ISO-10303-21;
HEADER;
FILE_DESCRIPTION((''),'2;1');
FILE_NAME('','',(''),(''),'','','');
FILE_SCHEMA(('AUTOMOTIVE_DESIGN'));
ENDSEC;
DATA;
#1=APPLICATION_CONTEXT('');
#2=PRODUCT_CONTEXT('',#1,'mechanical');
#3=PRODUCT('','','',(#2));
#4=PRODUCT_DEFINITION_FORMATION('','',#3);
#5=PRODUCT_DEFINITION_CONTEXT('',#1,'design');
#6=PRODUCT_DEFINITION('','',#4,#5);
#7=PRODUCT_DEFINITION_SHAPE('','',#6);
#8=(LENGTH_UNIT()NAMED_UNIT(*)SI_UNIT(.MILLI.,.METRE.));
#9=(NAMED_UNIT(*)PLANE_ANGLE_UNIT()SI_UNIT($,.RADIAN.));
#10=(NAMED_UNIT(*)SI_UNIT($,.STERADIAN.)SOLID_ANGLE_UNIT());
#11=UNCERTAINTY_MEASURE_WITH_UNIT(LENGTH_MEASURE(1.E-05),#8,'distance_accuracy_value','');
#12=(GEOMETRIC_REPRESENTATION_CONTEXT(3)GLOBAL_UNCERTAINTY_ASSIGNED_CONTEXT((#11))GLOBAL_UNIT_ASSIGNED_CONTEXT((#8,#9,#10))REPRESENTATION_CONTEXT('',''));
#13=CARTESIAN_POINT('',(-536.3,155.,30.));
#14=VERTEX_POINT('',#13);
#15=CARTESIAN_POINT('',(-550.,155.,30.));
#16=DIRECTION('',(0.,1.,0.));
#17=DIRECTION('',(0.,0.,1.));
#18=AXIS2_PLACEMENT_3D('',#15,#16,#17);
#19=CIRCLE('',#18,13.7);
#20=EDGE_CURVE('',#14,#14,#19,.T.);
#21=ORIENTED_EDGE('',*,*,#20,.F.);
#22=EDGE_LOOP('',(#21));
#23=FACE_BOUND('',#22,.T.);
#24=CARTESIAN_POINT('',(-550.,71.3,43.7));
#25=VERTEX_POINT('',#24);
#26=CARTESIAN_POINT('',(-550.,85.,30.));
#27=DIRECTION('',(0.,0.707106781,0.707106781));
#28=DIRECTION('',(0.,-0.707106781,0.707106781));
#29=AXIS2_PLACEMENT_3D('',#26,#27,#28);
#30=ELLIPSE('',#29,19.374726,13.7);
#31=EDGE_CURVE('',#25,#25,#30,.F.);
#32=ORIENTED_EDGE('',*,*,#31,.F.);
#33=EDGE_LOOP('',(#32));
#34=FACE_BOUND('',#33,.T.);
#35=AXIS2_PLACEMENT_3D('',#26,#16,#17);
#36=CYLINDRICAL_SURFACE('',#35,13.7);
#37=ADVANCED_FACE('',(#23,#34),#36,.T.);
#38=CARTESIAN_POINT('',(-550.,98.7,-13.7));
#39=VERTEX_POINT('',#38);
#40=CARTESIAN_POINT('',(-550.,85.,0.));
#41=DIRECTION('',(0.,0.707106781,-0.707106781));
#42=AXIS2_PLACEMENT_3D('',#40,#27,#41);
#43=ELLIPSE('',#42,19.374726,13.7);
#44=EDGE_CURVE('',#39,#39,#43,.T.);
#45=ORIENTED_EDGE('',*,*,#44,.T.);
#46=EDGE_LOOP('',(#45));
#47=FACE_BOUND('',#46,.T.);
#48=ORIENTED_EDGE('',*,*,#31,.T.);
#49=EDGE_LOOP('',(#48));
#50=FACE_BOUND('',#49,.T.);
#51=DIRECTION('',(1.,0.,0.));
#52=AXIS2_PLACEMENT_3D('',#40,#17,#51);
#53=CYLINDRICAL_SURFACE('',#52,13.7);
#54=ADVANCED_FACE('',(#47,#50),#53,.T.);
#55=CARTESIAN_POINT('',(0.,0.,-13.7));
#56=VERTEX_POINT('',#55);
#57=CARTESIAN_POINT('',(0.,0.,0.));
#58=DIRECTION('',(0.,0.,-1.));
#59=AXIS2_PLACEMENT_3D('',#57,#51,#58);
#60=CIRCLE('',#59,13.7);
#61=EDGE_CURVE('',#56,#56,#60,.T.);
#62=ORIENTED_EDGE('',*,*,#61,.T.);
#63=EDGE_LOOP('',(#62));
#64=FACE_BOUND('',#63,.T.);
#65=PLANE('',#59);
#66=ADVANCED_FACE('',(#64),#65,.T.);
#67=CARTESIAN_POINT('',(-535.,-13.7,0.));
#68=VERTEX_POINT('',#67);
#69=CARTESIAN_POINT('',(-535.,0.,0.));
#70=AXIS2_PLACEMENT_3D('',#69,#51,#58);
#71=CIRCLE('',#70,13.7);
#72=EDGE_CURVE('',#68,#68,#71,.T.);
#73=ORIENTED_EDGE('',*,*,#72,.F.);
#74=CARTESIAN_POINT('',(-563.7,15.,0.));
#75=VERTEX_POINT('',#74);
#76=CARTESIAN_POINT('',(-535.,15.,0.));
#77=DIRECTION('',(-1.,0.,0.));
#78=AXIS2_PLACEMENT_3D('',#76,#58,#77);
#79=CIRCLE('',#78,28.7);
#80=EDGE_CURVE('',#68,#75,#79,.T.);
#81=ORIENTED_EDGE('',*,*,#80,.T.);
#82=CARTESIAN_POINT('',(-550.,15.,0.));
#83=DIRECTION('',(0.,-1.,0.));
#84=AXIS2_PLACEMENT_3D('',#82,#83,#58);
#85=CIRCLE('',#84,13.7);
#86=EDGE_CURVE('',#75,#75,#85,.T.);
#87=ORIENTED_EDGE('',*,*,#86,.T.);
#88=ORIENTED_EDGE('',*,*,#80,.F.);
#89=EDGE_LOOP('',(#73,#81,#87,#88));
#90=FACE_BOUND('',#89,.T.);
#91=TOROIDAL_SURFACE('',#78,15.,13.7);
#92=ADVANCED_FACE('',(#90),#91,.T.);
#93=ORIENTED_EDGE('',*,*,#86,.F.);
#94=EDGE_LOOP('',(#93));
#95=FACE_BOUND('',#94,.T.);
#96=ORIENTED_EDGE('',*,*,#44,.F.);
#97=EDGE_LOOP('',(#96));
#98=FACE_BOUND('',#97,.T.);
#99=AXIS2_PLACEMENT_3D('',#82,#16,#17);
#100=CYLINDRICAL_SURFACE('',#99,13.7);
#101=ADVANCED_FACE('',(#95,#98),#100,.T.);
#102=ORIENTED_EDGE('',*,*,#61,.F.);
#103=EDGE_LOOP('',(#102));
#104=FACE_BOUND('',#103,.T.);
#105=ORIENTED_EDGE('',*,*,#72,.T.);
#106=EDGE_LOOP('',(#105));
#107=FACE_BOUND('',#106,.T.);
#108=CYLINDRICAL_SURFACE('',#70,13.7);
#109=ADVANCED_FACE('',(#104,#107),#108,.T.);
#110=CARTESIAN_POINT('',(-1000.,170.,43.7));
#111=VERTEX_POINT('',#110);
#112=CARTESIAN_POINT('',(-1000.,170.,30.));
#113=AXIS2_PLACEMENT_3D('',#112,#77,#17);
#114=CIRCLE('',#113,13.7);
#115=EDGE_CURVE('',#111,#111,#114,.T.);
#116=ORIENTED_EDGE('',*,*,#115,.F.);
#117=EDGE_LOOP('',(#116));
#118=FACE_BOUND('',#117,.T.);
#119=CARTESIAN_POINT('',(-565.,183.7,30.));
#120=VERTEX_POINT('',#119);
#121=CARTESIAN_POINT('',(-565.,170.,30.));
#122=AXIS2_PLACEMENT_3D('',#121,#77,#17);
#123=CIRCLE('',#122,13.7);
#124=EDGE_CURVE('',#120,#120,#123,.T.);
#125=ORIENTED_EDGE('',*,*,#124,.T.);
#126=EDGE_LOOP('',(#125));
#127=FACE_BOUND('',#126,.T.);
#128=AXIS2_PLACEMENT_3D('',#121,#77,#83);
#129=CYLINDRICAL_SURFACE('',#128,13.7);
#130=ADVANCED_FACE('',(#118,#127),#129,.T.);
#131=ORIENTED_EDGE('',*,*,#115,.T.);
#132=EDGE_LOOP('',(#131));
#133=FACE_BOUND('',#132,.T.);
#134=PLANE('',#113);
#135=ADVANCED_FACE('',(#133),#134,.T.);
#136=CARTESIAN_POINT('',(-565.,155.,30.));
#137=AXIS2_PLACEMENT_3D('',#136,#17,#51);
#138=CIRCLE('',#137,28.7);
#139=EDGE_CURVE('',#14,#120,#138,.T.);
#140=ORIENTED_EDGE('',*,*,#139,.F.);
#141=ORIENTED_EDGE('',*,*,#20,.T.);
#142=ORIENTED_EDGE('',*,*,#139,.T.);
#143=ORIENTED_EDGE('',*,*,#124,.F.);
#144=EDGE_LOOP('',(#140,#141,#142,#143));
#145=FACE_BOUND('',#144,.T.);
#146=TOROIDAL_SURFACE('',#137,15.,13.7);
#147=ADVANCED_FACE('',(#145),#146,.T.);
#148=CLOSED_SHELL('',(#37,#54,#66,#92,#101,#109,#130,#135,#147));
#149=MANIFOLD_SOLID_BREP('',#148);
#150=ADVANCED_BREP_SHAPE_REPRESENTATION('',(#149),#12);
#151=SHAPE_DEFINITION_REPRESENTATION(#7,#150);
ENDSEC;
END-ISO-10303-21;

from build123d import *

# Parameters (mm, degrees)
CROQUIS1_R = 13.7


with BuildPart() as part:
    # Barrer1: sweep along a curve in space
    with BuildLine() as barrer1_path:
        Line((0, 0, 0), (-535, 0, 0))
        ThreePointArc((-535, 0, 0), (-545.606601718, 4.393398282, 0), (-550, 15, 0))
        Line((-550, 15, 0), (-550, 85, 0))
        Line((-550, 85, 0), (-550, 85, 30))
        Line((-550, 85, 30), (-550, 155, 30))
        ThreePointArc((-550, 155, 30), (-554.393398282, 165.606601718, 30), (-565, 170, 30))
        Line((-565, 170, 30), (-1000, 170, 30))
    # Croquis1 → Barrer1 (sweep)
    with BuildSketch(Plane(origin=(0, 0, 0), x_dir=(0, 0, -1), z_dir=(1, 0, 0))):
        Circle(CROQUIS1_R)
    sweep(path=barrer1_path.line, transition=Transition.RIGHT)


solid = part.part
